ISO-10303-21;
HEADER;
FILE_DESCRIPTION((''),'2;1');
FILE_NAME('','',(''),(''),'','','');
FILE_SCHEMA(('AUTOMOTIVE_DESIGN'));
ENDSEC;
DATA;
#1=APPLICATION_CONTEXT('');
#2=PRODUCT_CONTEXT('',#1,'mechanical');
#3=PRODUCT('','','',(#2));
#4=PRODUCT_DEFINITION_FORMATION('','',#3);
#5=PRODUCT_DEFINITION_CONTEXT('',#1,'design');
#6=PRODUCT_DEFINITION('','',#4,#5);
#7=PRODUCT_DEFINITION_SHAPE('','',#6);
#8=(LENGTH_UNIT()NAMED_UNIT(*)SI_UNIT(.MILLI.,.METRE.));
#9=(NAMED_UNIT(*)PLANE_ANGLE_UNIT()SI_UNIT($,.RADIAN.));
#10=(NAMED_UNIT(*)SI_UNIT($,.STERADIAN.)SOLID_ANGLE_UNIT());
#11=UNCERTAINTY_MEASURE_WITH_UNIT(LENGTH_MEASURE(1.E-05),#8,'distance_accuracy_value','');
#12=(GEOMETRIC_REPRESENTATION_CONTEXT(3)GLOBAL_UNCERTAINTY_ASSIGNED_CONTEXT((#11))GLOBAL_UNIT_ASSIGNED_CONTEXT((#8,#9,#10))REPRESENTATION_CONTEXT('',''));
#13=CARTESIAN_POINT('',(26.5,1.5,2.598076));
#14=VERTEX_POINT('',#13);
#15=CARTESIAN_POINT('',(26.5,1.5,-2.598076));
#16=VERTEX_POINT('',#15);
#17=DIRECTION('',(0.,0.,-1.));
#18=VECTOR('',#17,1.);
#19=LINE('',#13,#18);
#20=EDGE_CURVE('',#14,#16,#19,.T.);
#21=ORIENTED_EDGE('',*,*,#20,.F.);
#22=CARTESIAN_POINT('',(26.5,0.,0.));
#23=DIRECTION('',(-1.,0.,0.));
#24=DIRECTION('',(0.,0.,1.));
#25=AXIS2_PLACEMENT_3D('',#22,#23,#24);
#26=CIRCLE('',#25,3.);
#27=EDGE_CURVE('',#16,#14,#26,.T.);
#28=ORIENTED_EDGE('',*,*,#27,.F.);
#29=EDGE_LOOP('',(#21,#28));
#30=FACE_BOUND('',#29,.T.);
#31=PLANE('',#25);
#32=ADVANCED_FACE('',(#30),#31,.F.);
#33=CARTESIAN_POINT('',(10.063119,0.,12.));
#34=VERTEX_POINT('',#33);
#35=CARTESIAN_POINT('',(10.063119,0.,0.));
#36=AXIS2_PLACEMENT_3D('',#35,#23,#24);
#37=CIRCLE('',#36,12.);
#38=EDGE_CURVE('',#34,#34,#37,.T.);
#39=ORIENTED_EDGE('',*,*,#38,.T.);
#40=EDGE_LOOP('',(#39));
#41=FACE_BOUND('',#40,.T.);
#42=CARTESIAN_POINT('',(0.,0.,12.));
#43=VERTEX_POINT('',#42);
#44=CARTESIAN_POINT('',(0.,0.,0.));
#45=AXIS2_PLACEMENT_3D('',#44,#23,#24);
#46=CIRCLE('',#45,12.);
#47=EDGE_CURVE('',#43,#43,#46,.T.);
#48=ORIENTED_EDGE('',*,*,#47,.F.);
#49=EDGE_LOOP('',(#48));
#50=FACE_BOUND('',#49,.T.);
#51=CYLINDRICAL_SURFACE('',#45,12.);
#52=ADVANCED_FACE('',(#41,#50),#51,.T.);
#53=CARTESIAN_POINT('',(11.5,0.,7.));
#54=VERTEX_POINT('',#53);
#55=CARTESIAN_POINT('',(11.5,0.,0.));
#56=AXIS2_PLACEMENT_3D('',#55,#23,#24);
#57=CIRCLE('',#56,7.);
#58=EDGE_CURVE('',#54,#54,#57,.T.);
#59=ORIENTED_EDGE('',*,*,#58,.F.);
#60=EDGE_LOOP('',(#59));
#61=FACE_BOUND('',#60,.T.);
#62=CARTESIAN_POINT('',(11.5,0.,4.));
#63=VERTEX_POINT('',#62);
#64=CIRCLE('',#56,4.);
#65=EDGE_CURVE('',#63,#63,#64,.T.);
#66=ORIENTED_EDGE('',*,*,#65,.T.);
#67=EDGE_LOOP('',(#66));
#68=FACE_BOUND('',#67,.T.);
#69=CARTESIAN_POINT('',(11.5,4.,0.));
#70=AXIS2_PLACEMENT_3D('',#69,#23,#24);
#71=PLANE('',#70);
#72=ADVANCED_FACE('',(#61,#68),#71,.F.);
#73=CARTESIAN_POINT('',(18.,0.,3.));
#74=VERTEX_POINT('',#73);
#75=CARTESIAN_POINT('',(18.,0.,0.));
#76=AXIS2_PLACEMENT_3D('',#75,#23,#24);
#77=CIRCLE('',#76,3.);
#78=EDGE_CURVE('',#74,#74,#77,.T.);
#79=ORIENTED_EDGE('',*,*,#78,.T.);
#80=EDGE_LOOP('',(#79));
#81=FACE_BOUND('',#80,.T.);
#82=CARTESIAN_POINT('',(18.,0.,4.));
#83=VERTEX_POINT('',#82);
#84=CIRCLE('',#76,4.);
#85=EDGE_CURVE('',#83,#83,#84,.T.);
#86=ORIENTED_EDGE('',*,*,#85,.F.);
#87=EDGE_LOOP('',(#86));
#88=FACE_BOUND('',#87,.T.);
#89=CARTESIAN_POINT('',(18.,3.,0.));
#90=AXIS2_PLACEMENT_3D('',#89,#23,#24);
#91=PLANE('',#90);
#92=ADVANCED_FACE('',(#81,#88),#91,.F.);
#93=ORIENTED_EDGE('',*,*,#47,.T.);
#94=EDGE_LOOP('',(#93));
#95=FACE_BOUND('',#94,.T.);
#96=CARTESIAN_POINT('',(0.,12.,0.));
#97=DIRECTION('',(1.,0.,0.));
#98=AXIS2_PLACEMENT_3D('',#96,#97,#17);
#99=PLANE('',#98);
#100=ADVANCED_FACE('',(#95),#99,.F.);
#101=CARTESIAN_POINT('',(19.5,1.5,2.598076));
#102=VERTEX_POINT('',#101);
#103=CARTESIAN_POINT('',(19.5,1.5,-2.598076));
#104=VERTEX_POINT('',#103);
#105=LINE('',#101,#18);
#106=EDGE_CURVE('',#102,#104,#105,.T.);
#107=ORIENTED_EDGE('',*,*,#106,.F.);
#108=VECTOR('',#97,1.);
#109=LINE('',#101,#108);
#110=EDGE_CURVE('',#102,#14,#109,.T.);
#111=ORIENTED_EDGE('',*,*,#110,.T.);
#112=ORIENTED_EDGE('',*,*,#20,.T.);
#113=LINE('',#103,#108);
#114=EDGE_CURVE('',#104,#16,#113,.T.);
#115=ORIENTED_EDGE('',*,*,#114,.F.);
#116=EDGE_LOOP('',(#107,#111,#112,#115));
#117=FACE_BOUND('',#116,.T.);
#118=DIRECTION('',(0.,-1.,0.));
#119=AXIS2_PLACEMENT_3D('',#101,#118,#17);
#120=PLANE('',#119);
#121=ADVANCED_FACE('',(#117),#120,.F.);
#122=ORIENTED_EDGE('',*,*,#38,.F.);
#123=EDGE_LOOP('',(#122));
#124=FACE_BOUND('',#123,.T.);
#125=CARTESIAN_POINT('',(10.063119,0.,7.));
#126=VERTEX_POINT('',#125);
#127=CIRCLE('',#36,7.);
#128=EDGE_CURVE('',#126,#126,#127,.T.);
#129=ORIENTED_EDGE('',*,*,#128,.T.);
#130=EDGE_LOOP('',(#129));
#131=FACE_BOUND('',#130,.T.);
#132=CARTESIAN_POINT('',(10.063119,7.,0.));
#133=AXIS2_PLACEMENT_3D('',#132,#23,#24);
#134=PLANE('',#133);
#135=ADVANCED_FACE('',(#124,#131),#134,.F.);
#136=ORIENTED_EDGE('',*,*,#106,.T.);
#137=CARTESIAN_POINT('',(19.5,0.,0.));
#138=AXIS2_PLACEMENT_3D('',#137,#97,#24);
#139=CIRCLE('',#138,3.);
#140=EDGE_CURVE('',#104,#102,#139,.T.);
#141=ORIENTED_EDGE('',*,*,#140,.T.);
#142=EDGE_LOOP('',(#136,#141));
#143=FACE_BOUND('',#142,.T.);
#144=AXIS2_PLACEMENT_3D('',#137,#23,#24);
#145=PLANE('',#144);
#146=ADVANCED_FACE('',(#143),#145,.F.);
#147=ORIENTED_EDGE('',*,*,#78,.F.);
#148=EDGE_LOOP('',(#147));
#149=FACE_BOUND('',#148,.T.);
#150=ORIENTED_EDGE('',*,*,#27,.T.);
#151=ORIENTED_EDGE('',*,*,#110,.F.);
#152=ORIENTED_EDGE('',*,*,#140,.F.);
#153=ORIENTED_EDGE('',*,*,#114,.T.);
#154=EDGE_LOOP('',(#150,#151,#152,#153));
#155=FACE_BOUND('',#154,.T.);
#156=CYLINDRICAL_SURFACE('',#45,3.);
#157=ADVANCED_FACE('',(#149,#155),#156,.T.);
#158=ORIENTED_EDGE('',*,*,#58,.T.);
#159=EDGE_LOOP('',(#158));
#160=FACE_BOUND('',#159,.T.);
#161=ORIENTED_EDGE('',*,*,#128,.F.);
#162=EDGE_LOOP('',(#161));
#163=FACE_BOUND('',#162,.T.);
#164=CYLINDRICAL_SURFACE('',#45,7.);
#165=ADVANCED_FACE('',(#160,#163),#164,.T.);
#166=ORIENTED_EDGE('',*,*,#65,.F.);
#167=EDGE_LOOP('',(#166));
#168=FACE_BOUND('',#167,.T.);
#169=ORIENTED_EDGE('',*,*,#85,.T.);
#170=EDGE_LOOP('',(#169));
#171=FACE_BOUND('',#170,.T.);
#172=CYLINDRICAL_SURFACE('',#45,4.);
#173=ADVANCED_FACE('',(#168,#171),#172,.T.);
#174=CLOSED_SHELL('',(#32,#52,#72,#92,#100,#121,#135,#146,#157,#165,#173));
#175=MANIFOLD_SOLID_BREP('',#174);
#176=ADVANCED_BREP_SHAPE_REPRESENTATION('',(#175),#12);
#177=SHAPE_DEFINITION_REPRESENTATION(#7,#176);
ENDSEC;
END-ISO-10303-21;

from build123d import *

# Parameters (mm, degrees)
CUT_EXTRUDE1_DEPTH = 7


with BuildPart() as part:
    # Sketch1 → Revolve1 (revolve)
    with BuildSketch(Plane.XY):
        Polygon((0, 0), (26.5, 0), (26.5, 3), (18, 3), (18, 4), (11.5, 4), (11.5, 7), (10.063118771, 7), (10.063118771, 12), (0, 12), align=None)
    revolve(axis=Axis((0, 0, 0), (1, 0, 0)))

    # Sketch2 → Cut-Extrude1 (cut)
    with BuildSketch(Plane(origin=(26.5, 0, 0), x_dir=(0, 0, -1), z_dir=(1, 0, 0))):
        with BuildLine():
            Line((-2.598076211, 1.5), (2.598076211, 1.5))
            ThreePointArc((2.598076211, 1.5), (0, 3), (-2.598076211, 1.5))
        make_face()
    extrude(amount=-CUT_EXTRUDE1_DEPTH, mode=Mode.SUBTRACT)


solid = part.part
